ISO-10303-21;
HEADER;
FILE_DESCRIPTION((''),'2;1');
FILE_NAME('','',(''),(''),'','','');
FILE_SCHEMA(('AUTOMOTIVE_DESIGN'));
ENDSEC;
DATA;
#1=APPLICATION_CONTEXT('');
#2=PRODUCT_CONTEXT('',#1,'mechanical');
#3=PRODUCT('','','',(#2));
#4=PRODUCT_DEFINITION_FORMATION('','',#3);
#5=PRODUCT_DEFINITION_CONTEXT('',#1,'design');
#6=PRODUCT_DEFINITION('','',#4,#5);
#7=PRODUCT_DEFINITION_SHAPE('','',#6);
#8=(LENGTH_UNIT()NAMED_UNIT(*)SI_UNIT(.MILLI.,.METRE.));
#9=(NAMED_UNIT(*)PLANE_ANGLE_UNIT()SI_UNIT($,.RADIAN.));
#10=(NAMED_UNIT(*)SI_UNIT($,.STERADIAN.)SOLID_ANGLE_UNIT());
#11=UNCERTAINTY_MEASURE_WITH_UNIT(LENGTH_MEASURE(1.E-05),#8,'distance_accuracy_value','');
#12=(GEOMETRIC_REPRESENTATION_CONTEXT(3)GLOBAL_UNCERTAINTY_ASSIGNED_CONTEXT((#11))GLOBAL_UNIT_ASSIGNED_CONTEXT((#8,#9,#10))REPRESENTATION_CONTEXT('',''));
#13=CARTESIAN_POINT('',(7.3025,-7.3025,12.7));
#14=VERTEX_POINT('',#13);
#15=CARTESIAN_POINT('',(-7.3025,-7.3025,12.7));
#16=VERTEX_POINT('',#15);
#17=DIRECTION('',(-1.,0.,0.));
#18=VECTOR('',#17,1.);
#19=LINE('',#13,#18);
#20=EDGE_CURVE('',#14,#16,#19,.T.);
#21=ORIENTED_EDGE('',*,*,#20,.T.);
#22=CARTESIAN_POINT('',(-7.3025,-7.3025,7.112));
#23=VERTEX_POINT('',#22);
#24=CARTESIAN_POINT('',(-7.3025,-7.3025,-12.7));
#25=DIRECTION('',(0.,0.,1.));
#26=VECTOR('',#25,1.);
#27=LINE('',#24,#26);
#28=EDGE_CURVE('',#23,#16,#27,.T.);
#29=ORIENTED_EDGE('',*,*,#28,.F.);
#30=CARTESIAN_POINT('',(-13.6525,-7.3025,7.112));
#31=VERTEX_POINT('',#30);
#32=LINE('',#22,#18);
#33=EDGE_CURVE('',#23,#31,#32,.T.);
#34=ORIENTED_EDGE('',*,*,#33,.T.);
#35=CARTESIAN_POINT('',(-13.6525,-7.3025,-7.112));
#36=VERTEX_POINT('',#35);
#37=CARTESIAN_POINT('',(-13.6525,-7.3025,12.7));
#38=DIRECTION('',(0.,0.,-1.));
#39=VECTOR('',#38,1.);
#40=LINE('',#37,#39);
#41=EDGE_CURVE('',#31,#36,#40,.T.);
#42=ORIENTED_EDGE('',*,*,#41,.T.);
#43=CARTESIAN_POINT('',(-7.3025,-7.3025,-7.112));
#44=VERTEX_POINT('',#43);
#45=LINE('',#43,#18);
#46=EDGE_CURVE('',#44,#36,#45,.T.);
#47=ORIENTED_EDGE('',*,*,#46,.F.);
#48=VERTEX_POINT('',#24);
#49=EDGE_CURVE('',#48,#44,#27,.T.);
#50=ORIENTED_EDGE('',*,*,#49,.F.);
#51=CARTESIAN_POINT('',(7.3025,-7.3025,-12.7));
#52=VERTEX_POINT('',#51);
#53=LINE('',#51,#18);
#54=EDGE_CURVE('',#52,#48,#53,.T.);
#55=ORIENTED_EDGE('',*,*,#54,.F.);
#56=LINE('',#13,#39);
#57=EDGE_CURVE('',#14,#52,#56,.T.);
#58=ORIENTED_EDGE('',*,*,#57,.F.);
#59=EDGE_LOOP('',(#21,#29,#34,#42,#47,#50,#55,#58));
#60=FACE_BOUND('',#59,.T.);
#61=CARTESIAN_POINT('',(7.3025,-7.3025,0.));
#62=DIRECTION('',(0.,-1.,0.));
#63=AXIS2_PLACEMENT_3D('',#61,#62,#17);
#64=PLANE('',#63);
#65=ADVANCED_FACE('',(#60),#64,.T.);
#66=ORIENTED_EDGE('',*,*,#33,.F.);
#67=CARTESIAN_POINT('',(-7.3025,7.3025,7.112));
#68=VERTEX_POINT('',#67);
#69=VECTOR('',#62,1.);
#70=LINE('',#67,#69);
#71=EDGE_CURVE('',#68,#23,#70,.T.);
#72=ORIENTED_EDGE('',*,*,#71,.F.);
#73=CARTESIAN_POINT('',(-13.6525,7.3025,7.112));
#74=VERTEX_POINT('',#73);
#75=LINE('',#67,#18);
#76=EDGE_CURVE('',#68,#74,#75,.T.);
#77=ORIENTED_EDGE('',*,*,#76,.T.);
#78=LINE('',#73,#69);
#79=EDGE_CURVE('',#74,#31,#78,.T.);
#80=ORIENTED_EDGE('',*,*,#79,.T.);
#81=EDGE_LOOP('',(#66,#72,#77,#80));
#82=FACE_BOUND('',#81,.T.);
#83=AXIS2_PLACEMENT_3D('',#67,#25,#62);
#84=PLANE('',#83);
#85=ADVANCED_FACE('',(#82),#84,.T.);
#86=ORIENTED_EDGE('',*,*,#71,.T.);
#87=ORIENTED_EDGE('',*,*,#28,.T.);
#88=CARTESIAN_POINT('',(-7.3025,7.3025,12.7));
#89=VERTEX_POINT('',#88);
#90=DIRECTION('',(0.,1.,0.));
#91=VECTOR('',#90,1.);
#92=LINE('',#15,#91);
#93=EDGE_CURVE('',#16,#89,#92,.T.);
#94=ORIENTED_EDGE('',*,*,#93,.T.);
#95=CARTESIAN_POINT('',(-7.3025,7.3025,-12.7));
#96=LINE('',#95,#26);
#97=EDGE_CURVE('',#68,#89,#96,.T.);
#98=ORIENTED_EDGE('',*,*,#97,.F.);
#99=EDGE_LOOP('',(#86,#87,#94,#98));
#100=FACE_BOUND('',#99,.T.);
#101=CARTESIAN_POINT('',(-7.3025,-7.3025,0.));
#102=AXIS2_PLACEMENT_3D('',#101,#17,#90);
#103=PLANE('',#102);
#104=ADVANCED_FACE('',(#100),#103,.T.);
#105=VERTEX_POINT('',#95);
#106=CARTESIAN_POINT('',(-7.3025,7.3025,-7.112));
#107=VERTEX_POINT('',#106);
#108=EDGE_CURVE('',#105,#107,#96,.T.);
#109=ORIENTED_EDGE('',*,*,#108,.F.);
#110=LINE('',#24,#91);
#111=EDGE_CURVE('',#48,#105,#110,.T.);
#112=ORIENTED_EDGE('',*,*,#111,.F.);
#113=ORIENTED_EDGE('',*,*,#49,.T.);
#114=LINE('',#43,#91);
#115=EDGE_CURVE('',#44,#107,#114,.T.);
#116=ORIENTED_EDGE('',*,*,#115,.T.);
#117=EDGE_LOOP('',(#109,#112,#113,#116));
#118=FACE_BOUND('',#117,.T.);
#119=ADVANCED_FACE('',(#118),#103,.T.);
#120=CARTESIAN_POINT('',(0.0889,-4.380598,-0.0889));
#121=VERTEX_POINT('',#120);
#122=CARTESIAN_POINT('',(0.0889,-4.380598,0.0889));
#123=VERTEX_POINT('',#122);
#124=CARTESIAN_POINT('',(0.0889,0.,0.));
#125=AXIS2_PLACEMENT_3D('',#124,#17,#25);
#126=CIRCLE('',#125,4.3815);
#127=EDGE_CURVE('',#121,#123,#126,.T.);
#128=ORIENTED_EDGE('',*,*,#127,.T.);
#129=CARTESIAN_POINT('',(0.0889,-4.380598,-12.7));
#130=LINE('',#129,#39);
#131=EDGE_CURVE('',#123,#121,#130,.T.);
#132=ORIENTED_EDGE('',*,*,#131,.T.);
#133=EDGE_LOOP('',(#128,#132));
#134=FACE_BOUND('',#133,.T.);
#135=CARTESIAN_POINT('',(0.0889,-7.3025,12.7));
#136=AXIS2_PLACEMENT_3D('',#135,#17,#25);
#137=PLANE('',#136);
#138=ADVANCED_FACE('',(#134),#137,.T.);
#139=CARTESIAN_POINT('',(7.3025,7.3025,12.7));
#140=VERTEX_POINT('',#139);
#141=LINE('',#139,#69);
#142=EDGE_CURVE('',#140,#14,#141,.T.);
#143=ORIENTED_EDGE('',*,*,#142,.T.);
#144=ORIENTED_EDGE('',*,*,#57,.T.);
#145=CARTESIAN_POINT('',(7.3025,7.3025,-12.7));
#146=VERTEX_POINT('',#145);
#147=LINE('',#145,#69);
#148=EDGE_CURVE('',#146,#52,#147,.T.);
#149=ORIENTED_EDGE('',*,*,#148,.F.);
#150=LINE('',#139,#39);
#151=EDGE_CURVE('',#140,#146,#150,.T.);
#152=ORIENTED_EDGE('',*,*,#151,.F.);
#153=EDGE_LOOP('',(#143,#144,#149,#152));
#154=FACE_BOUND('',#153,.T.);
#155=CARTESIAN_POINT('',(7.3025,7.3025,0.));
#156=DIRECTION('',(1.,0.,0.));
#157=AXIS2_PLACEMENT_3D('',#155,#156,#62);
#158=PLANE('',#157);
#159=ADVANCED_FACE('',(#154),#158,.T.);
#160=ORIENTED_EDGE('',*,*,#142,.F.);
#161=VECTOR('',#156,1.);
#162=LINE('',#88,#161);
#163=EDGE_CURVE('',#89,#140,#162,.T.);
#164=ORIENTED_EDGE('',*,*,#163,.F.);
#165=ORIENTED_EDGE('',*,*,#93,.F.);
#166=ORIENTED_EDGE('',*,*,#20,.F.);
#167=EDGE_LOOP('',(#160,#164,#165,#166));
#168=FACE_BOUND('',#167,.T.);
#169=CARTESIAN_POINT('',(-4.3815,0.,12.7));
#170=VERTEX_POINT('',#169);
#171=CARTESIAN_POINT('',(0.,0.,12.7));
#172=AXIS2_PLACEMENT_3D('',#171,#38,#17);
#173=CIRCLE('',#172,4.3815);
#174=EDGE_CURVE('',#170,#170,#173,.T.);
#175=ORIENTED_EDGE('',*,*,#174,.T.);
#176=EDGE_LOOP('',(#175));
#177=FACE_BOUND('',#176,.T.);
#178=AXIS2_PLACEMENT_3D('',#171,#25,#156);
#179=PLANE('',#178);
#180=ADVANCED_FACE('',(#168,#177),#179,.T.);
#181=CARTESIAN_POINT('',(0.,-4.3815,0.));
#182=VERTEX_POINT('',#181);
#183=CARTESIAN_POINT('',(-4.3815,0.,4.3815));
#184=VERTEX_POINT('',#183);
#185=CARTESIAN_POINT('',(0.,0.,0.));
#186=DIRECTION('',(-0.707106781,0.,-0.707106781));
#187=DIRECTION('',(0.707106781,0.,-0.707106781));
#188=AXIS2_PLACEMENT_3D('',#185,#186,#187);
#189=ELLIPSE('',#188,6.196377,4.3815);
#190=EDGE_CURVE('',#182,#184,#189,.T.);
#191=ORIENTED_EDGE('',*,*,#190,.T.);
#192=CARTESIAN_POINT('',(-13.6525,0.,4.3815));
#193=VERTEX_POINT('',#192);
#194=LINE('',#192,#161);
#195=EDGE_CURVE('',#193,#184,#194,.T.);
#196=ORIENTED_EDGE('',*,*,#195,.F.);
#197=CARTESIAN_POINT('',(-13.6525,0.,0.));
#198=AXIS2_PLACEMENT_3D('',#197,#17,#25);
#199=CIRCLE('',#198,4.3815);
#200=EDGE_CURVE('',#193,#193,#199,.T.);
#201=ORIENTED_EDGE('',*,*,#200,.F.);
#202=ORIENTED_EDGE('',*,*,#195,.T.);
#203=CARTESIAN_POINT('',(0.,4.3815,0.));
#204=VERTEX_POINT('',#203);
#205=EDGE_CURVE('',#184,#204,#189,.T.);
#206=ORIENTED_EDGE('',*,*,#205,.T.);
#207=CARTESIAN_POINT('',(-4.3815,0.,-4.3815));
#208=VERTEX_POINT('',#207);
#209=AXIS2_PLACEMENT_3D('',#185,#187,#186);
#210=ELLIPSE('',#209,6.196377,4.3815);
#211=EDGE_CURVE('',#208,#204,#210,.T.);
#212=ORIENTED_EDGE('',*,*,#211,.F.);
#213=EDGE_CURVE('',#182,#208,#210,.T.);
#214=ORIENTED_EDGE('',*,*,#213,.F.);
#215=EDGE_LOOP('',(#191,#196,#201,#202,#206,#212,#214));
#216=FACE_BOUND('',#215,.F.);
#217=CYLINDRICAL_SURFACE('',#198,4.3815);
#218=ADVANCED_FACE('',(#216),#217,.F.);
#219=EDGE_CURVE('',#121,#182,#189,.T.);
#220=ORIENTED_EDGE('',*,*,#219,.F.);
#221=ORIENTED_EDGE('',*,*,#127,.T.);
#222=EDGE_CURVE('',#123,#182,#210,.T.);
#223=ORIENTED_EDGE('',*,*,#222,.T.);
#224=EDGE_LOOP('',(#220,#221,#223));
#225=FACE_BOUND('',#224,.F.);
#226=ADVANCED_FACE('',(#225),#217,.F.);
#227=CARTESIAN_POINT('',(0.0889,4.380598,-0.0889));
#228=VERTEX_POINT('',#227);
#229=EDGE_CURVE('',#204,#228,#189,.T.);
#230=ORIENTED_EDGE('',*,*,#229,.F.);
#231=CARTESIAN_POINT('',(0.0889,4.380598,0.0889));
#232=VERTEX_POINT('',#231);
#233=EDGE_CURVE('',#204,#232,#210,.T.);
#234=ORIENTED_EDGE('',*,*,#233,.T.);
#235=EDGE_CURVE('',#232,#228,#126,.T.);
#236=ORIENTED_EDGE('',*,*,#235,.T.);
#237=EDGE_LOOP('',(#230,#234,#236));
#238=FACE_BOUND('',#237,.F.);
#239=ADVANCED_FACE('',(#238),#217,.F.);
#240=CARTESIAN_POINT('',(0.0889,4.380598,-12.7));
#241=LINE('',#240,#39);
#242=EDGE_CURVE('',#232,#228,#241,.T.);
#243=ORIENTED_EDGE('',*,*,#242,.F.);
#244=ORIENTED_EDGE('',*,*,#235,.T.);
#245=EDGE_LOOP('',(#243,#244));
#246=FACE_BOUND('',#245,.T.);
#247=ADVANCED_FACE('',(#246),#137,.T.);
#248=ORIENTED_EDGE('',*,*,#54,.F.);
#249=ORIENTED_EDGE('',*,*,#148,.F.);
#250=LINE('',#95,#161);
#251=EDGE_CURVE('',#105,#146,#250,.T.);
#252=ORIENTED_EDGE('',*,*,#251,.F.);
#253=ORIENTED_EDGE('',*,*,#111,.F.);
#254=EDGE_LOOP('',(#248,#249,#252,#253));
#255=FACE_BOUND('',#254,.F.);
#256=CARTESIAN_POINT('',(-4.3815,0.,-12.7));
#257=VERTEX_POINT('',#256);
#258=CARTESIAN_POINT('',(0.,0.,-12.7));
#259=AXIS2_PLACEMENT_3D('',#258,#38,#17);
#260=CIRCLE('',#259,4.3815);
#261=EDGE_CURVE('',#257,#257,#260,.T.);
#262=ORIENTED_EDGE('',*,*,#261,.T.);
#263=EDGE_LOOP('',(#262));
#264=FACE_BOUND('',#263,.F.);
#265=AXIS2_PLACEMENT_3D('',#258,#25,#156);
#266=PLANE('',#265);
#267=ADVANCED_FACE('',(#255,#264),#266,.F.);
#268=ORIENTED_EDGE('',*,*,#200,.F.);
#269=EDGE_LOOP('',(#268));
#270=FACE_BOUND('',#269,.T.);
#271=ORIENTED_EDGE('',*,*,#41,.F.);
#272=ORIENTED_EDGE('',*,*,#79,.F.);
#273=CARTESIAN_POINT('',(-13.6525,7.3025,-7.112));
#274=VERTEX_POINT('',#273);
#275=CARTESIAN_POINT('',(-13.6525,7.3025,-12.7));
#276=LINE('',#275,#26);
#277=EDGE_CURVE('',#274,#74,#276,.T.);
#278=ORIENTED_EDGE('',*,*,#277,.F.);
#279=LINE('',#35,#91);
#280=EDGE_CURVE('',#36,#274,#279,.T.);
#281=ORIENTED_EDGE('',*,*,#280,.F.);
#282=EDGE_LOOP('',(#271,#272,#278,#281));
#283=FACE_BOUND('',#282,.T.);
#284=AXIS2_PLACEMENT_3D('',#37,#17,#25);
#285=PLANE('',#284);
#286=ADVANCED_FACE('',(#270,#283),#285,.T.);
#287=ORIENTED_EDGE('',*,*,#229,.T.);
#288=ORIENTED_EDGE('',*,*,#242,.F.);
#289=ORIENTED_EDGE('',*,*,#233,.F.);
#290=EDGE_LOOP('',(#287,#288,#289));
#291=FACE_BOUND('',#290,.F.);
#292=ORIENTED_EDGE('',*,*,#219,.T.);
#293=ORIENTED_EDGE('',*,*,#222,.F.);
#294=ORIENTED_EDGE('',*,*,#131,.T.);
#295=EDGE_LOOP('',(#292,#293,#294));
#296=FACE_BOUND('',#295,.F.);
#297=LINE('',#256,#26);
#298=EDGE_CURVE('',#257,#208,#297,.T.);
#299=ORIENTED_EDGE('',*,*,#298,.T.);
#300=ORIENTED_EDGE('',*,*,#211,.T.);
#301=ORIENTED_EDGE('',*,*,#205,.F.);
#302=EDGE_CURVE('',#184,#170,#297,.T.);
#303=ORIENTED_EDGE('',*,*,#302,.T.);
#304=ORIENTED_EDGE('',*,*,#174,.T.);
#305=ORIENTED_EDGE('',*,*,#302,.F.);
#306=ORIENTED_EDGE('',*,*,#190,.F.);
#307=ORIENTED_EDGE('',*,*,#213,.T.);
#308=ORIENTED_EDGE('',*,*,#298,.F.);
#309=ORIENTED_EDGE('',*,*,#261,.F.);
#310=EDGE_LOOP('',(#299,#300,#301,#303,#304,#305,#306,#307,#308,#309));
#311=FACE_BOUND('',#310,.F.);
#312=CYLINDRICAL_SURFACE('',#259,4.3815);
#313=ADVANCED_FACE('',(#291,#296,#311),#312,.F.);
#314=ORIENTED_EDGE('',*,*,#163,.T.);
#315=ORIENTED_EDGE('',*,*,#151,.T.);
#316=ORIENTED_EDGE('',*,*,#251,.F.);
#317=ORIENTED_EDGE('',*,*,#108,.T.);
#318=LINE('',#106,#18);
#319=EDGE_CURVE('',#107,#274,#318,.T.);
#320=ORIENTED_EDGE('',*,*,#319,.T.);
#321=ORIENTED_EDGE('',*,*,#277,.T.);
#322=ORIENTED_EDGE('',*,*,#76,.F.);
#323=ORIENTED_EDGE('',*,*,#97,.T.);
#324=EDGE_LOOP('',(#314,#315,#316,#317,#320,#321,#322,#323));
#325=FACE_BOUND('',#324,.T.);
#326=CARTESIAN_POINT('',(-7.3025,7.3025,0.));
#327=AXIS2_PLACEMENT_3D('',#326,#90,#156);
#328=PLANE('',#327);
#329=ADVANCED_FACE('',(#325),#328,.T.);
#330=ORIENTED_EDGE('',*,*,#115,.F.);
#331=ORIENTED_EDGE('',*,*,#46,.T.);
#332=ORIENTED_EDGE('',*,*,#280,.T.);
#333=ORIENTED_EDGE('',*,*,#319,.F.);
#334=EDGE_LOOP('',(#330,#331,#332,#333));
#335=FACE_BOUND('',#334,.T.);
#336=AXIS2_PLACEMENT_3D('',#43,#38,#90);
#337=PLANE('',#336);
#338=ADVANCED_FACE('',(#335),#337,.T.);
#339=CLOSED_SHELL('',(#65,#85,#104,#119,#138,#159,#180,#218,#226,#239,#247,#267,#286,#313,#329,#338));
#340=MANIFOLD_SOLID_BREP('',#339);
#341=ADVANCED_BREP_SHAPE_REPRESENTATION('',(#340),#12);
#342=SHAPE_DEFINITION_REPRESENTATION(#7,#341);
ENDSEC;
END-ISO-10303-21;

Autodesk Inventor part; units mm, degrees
ref_plane "YZ Plane" through (0, 0, 0) normal (1, 0, 0) x (0, 1, 0)
ref_plane "XZ Plane" through (0, 0, 0) normal (0, 1, 0) x (-1, 0, 0)
ref_plane "XY Plane" through (0, 0, 0) normal (0, 0, 1) x (1, 0, 0)
sketch "Sketch1" plane through (0, 0, 0) normal (0, 0, 1) x (1, 0, 0)
  line L0 (-7.3025, 7.3025) -> (7.3025, 7.3025)
  line L1 (7.3025, 7.3025) -> (7.3025, -7.3025)
  line L2 (7.3025, -7.3025) -> (-7.3025, -7.3025)
  line L3 (-7.3025, -7.3025) -> (-7.3025, 7.3025)
  point P0 (0, 0)
  point P1 (0, 7.3025)
  point P2 (-7.3025, 0)
  dimension "d0" = 14.605
  dimension "d1" = 14.605
extrude "Extrusion1" add sketch "Sketch1" along normal mid plane 25.4
sketch "Sketch2" plane through (-7.3025, -7.3025, 12.7) normal (-1, 0, 0) x (0, 0, 1)
  line L0 (0, 0) -> (0, 14.605) projected
  line L1 (-25.4, 14.605) -> (0, 14.605) projected
  line L2 (-25.4, 14.605) -> (-25.4, 0) projected
  line L3 (0, 0) -> (-25.4, 0) projected
  line L4 (-19.812, 14.605) -> (-5.588, 14.605)
  line L5 (-5.588, 14.605) -> (-5.588, 0)
  line L6 (-5.588, 0) -> (-19.812, 0)
  line L7 (-19.812, 0) -> (-19.812, 14.605)
  point P0 (-12.7, 0)
  dimension "d4" = 14.224
extrude "Extrusion2" add sketch "Sketch2" along normal blind 6.35 contours L3 L7 L1 L5
sketch "Sketch3" plane through (0, 0, -12.7) normal (0, 0, -1) x (-1, 0, 0)
  line L0 (7.3025, 7.3025) -> (7.3025, -7.3025) projected
  line L1 (-7.3025, 7.3025) -> (7.3025, 7.3025) projected
  line L2 (-7.3025, -7.3025) -> (-7.3025, 7.3025) projected
  line L3 (7.3025, -7.3025) -> (-7.3025, -7.3025) projected
  circle A0 centre (0, 0) radius 4.3815
  dimension "d7" = 8.763
extrude "Extrusion3" cut sketch "Sketch3" against normal through all contours A0
sketch "Sketch4" plane through (-13.6525, -7.3025, 12.7) normal (-1, 0, 0) x (0, 0, 1)
  circle A0 centre (-12.7, 7.3025) radius 4.3815
  line L0 (-19.812, 0) -> (-19.812, 14.605) projected
  line L1 (0, 0) -> (-25.4, 0) projected
  line L2 (-19.812, 14.605) -> (-5.588, 14.605) projected
  line L3 (-19.812, 0) -> (-19.812, 14.605) projected
  line L4 (-5.588, 0) -> (-19.812, 0) projected
  line L5 (-5.588, 14.605) -> (-5.588, 0) projected
  point P0 (-12.7, 14.605)
  point P1 (-19.812, 7.3025)
  dimension "d10" = 8.763
extrude "Extrusion4" cut sketch "Sketch4" against normal blind 13.7414 contours A0
thread "Thread1" size "3/8-16 UNC" class "1B" standard "ANSI Unified Screw Threads" length 8.89
thread "Thread2" size "3/8-16 UNC" class "1B" standard "ANSI Unified Screw Threads" length 8.89
thread "Thread3" size "3/8-16 UNC" class "1B" standard "ANSI Unified Screw Threads" length 8.89
equation "\"d0\" = d1"
properties part number "2203P-2"
